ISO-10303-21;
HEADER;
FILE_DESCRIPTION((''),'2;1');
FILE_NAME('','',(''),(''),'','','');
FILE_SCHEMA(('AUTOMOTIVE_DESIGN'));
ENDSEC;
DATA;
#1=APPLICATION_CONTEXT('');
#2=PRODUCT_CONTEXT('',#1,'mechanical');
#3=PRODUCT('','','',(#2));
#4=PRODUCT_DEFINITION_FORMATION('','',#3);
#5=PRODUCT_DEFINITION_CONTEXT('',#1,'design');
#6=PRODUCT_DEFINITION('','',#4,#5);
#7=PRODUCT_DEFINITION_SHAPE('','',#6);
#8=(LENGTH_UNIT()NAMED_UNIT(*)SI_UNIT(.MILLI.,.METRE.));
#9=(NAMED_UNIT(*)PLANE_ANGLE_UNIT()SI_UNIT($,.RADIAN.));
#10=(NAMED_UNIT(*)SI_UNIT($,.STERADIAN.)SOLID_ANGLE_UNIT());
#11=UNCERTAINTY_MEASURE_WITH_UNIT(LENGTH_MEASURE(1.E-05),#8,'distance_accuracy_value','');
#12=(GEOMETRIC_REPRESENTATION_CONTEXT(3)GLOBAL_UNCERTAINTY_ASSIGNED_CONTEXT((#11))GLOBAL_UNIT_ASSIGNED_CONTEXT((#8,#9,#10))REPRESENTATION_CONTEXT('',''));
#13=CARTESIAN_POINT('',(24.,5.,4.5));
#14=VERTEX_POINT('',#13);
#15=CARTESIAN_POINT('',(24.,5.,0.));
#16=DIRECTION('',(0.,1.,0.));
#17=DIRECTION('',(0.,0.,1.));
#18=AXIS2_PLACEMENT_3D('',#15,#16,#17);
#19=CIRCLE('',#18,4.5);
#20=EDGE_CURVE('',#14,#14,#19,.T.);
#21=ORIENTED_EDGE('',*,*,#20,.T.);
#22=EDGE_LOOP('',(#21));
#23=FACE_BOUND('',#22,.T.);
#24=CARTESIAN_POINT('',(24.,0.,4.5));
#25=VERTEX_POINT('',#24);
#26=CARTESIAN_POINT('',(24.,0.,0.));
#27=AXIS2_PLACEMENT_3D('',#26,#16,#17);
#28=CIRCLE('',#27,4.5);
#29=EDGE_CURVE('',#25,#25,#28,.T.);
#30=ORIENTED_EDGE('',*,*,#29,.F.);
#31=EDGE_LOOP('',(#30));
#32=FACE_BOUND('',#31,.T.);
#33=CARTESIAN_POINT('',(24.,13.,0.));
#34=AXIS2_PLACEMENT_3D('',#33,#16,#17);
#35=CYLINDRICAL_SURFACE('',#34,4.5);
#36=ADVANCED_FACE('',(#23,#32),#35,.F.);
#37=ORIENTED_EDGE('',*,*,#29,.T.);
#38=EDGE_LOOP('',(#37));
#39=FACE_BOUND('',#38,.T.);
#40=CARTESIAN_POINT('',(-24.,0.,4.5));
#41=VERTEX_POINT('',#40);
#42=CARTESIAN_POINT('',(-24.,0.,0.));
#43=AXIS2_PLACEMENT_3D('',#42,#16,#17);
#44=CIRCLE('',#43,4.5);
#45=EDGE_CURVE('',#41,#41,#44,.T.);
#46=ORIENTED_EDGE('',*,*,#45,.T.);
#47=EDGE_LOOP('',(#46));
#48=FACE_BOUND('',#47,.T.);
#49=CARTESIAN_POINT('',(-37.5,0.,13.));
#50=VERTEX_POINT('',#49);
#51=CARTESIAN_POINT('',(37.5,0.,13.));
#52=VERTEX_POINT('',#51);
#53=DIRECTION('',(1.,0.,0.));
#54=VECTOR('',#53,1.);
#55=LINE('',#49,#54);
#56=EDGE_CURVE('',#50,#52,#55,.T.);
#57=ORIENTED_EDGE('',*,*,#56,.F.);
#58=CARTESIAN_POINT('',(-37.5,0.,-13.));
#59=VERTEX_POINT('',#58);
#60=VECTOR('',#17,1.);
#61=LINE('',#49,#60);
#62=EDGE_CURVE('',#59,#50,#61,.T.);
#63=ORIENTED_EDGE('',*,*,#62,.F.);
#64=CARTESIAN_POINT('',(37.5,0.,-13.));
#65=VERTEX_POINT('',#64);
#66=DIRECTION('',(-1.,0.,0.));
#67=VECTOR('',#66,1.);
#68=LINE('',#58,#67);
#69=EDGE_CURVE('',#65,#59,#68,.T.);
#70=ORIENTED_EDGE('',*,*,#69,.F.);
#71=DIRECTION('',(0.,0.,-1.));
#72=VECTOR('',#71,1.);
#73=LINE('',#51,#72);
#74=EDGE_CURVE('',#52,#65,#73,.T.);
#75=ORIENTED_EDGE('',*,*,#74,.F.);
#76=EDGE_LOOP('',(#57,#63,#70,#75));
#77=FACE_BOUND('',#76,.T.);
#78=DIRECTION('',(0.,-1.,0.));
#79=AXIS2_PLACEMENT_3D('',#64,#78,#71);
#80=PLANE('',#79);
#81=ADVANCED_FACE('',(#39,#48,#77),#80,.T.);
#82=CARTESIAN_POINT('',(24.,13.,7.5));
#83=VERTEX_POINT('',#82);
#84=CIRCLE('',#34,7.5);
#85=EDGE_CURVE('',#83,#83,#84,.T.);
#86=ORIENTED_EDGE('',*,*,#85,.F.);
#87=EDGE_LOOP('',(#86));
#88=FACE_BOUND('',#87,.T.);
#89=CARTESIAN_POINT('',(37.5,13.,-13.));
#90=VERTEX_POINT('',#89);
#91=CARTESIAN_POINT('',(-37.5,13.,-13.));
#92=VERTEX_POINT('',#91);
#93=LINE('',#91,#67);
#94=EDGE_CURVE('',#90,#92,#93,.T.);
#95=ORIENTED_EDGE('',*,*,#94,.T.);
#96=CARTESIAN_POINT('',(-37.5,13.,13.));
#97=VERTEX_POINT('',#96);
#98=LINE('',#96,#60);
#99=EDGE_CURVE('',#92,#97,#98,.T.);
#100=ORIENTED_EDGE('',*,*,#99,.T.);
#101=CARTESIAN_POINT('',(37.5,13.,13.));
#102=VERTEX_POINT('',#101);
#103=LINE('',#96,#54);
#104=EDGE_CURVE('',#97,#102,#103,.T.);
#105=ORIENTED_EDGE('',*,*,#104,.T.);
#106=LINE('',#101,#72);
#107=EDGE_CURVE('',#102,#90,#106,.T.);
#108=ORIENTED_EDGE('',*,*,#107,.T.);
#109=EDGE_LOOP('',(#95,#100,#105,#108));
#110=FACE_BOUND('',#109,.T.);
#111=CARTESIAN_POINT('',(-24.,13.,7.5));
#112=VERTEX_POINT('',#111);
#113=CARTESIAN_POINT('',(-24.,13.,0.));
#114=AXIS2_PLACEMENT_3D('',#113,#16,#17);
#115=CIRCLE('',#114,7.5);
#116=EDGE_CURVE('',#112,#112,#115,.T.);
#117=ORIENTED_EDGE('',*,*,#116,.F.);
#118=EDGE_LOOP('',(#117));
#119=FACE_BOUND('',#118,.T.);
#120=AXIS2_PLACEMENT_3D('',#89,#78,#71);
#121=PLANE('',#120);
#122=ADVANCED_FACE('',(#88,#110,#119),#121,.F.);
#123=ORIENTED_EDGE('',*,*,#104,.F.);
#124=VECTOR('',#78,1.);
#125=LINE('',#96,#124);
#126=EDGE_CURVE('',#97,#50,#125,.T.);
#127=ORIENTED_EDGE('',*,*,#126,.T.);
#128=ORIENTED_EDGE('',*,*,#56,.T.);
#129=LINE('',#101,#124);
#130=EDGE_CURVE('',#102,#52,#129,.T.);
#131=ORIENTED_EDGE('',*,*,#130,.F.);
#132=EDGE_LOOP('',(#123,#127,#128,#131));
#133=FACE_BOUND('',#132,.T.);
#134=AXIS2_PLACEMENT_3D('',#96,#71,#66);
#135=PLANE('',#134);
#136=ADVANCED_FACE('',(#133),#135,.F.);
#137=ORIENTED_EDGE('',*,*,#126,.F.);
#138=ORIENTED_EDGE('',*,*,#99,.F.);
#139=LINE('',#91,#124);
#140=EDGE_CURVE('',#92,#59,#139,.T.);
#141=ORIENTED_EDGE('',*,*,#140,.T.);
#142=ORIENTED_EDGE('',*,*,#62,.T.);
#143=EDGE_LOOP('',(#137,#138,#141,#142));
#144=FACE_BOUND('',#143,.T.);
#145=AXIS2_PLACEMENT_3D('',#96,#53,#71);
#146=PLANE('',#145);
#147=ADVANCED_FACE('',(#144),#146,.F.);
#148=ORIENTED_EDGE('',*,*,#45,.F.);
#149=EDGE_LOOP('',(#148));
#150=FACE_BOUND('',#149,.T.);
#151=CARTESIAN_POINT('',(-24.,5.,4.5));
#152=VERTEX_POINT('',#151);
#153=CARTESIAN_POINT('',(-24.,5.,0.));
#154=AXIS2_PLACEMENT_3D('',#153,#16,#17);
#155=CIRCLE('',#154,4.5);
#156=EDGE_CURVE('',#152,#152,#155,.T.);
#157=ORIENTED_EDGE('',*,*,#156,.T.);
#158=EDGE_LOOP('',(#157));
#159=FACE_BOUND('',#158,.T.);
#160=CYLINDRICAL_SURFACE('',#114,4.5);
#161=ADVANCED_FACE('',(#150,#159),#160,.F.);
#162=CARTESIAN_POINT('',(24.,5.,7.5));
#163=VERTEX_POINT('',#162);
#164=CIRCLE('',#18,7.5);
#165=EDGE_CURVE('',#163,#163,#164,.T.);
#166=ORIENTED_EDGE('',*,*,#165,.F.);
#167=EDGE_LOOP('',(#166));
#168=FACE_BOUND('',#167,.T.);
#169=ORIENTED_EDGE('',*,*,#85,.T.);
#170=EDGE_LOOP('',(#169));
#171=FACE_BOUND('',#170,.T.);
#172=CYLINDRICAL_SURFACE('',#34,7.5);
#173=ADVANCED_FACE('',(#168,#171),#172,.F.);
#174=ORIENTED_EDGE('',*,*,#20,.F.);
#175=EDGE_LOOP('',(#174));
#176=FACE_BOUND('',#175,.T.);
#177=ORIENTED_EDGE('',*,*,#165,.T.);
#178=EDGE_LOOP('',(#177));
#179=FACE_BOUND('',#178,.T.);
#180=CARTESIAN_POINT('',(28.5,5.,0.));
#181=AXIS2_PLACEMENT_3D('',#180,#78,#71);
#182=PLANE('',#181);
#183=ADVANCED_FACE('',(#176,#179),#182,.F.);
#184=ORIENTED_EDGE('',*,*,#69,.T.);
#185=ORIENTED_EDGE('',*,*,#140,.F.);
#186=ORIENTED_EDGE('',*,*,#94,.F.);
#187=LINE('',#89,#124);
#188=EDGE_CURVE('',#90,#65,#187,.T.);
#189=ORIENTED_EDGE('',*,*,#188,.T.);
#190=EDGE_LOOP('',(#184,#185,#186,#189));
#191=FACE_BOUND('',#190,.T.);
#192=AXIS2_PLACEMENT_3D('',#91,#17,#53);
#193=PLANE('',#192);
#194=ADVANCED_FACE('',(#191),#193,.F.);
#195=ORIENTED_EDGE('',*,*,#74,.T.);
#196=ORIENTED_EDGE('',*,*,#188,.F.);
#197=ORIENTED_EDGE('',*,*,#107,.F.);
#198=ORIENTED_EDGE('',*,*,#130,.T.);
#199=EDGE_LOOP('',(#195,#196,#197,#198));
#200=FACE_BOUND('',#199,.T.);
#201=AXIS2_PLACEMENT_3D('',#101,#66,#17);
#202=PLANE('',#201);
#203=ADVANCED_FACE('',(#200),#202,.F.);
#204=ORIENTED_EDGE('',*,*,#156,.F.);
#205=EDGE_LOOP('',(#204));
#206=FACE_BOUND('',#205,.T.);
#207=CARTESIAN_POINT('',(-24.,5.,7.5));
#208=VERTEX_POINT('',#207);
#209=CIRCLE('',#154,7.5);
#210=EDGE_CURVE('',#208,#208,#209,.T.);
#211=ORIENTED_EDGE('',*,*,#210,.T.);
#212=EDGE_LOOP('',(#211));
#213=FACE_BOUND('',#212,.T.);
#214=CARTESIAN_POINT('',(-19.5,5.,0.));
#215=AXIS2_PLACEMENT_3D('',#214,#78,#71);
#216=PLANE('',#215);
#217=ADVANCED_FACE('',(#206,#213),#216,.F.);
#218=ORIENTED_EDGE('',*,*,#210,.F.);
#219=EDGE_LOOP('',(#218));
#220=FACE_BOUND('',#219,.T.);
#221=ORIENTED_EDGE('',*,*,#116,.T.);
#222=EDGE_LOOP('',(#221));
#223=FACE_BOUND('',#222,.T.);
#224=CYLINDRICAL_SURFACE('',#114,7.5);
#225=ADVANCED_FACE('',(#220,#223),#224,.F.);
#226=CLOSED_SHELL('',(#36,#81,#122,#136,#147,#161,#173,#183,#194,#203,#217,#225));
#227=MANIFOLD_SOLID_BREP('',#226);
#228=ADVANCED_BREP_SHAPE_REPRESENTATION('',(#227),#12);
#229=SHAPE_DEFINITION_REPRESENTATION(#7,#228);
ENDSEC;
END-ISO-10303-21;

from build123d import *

# Parameters (mm, degrees)
SKETCH1_W                      = 75
SKETCH1_H                      = 26
EXTRUDE1_DEPTH                 = 13
CBORE_FOR_M8_SHCS1_D           = 9
CBORE_FOR_M8_SHCS1_CBORE_D     = 15
CBORE_FOR_M8_SHCS1_CBORE_DEPTH = 8


with BuildPart() as part:
    # Sketch1 → Extrude1 (new body)
    with BuildSketch(Plane(origin=(0, 0, 0), x_dir=(1, 0, 0), z_dir=(0, 1, 0))):
        Rectangle(SKETCH1_W, SKETCH1_H)
    extrude(amount=EXTRUDE1_DEPTH)

    # CBORE for M8 SHCS1 (through all)
    with Locations(Plane(origin=(0, 13, 0), x_dir=(-1, 0, 0), z_dir=(0, 1, 0))):
        with Locations((24, 0)):
            cbore_for_m8_shcs1 = CounterBoreHole(CBORE_FOR_M8_SHCS1_D / 2, CBORE_FOR_M8_SHCS1_CBORE_D / 2, CBORE_FOR_M8_SHCS1_CBORE_DEPTH)

    # Mirror1: CBORE for M8 SHCS1 across plane
    add(cbore_for_m8_shcs1.mirror(Plane(origin=(0, 0, 0), x_dir=(0, 0, 1), z_dir=(1, 0, 0))), mode=Mode.SUBTRACT)


solid = part.part
